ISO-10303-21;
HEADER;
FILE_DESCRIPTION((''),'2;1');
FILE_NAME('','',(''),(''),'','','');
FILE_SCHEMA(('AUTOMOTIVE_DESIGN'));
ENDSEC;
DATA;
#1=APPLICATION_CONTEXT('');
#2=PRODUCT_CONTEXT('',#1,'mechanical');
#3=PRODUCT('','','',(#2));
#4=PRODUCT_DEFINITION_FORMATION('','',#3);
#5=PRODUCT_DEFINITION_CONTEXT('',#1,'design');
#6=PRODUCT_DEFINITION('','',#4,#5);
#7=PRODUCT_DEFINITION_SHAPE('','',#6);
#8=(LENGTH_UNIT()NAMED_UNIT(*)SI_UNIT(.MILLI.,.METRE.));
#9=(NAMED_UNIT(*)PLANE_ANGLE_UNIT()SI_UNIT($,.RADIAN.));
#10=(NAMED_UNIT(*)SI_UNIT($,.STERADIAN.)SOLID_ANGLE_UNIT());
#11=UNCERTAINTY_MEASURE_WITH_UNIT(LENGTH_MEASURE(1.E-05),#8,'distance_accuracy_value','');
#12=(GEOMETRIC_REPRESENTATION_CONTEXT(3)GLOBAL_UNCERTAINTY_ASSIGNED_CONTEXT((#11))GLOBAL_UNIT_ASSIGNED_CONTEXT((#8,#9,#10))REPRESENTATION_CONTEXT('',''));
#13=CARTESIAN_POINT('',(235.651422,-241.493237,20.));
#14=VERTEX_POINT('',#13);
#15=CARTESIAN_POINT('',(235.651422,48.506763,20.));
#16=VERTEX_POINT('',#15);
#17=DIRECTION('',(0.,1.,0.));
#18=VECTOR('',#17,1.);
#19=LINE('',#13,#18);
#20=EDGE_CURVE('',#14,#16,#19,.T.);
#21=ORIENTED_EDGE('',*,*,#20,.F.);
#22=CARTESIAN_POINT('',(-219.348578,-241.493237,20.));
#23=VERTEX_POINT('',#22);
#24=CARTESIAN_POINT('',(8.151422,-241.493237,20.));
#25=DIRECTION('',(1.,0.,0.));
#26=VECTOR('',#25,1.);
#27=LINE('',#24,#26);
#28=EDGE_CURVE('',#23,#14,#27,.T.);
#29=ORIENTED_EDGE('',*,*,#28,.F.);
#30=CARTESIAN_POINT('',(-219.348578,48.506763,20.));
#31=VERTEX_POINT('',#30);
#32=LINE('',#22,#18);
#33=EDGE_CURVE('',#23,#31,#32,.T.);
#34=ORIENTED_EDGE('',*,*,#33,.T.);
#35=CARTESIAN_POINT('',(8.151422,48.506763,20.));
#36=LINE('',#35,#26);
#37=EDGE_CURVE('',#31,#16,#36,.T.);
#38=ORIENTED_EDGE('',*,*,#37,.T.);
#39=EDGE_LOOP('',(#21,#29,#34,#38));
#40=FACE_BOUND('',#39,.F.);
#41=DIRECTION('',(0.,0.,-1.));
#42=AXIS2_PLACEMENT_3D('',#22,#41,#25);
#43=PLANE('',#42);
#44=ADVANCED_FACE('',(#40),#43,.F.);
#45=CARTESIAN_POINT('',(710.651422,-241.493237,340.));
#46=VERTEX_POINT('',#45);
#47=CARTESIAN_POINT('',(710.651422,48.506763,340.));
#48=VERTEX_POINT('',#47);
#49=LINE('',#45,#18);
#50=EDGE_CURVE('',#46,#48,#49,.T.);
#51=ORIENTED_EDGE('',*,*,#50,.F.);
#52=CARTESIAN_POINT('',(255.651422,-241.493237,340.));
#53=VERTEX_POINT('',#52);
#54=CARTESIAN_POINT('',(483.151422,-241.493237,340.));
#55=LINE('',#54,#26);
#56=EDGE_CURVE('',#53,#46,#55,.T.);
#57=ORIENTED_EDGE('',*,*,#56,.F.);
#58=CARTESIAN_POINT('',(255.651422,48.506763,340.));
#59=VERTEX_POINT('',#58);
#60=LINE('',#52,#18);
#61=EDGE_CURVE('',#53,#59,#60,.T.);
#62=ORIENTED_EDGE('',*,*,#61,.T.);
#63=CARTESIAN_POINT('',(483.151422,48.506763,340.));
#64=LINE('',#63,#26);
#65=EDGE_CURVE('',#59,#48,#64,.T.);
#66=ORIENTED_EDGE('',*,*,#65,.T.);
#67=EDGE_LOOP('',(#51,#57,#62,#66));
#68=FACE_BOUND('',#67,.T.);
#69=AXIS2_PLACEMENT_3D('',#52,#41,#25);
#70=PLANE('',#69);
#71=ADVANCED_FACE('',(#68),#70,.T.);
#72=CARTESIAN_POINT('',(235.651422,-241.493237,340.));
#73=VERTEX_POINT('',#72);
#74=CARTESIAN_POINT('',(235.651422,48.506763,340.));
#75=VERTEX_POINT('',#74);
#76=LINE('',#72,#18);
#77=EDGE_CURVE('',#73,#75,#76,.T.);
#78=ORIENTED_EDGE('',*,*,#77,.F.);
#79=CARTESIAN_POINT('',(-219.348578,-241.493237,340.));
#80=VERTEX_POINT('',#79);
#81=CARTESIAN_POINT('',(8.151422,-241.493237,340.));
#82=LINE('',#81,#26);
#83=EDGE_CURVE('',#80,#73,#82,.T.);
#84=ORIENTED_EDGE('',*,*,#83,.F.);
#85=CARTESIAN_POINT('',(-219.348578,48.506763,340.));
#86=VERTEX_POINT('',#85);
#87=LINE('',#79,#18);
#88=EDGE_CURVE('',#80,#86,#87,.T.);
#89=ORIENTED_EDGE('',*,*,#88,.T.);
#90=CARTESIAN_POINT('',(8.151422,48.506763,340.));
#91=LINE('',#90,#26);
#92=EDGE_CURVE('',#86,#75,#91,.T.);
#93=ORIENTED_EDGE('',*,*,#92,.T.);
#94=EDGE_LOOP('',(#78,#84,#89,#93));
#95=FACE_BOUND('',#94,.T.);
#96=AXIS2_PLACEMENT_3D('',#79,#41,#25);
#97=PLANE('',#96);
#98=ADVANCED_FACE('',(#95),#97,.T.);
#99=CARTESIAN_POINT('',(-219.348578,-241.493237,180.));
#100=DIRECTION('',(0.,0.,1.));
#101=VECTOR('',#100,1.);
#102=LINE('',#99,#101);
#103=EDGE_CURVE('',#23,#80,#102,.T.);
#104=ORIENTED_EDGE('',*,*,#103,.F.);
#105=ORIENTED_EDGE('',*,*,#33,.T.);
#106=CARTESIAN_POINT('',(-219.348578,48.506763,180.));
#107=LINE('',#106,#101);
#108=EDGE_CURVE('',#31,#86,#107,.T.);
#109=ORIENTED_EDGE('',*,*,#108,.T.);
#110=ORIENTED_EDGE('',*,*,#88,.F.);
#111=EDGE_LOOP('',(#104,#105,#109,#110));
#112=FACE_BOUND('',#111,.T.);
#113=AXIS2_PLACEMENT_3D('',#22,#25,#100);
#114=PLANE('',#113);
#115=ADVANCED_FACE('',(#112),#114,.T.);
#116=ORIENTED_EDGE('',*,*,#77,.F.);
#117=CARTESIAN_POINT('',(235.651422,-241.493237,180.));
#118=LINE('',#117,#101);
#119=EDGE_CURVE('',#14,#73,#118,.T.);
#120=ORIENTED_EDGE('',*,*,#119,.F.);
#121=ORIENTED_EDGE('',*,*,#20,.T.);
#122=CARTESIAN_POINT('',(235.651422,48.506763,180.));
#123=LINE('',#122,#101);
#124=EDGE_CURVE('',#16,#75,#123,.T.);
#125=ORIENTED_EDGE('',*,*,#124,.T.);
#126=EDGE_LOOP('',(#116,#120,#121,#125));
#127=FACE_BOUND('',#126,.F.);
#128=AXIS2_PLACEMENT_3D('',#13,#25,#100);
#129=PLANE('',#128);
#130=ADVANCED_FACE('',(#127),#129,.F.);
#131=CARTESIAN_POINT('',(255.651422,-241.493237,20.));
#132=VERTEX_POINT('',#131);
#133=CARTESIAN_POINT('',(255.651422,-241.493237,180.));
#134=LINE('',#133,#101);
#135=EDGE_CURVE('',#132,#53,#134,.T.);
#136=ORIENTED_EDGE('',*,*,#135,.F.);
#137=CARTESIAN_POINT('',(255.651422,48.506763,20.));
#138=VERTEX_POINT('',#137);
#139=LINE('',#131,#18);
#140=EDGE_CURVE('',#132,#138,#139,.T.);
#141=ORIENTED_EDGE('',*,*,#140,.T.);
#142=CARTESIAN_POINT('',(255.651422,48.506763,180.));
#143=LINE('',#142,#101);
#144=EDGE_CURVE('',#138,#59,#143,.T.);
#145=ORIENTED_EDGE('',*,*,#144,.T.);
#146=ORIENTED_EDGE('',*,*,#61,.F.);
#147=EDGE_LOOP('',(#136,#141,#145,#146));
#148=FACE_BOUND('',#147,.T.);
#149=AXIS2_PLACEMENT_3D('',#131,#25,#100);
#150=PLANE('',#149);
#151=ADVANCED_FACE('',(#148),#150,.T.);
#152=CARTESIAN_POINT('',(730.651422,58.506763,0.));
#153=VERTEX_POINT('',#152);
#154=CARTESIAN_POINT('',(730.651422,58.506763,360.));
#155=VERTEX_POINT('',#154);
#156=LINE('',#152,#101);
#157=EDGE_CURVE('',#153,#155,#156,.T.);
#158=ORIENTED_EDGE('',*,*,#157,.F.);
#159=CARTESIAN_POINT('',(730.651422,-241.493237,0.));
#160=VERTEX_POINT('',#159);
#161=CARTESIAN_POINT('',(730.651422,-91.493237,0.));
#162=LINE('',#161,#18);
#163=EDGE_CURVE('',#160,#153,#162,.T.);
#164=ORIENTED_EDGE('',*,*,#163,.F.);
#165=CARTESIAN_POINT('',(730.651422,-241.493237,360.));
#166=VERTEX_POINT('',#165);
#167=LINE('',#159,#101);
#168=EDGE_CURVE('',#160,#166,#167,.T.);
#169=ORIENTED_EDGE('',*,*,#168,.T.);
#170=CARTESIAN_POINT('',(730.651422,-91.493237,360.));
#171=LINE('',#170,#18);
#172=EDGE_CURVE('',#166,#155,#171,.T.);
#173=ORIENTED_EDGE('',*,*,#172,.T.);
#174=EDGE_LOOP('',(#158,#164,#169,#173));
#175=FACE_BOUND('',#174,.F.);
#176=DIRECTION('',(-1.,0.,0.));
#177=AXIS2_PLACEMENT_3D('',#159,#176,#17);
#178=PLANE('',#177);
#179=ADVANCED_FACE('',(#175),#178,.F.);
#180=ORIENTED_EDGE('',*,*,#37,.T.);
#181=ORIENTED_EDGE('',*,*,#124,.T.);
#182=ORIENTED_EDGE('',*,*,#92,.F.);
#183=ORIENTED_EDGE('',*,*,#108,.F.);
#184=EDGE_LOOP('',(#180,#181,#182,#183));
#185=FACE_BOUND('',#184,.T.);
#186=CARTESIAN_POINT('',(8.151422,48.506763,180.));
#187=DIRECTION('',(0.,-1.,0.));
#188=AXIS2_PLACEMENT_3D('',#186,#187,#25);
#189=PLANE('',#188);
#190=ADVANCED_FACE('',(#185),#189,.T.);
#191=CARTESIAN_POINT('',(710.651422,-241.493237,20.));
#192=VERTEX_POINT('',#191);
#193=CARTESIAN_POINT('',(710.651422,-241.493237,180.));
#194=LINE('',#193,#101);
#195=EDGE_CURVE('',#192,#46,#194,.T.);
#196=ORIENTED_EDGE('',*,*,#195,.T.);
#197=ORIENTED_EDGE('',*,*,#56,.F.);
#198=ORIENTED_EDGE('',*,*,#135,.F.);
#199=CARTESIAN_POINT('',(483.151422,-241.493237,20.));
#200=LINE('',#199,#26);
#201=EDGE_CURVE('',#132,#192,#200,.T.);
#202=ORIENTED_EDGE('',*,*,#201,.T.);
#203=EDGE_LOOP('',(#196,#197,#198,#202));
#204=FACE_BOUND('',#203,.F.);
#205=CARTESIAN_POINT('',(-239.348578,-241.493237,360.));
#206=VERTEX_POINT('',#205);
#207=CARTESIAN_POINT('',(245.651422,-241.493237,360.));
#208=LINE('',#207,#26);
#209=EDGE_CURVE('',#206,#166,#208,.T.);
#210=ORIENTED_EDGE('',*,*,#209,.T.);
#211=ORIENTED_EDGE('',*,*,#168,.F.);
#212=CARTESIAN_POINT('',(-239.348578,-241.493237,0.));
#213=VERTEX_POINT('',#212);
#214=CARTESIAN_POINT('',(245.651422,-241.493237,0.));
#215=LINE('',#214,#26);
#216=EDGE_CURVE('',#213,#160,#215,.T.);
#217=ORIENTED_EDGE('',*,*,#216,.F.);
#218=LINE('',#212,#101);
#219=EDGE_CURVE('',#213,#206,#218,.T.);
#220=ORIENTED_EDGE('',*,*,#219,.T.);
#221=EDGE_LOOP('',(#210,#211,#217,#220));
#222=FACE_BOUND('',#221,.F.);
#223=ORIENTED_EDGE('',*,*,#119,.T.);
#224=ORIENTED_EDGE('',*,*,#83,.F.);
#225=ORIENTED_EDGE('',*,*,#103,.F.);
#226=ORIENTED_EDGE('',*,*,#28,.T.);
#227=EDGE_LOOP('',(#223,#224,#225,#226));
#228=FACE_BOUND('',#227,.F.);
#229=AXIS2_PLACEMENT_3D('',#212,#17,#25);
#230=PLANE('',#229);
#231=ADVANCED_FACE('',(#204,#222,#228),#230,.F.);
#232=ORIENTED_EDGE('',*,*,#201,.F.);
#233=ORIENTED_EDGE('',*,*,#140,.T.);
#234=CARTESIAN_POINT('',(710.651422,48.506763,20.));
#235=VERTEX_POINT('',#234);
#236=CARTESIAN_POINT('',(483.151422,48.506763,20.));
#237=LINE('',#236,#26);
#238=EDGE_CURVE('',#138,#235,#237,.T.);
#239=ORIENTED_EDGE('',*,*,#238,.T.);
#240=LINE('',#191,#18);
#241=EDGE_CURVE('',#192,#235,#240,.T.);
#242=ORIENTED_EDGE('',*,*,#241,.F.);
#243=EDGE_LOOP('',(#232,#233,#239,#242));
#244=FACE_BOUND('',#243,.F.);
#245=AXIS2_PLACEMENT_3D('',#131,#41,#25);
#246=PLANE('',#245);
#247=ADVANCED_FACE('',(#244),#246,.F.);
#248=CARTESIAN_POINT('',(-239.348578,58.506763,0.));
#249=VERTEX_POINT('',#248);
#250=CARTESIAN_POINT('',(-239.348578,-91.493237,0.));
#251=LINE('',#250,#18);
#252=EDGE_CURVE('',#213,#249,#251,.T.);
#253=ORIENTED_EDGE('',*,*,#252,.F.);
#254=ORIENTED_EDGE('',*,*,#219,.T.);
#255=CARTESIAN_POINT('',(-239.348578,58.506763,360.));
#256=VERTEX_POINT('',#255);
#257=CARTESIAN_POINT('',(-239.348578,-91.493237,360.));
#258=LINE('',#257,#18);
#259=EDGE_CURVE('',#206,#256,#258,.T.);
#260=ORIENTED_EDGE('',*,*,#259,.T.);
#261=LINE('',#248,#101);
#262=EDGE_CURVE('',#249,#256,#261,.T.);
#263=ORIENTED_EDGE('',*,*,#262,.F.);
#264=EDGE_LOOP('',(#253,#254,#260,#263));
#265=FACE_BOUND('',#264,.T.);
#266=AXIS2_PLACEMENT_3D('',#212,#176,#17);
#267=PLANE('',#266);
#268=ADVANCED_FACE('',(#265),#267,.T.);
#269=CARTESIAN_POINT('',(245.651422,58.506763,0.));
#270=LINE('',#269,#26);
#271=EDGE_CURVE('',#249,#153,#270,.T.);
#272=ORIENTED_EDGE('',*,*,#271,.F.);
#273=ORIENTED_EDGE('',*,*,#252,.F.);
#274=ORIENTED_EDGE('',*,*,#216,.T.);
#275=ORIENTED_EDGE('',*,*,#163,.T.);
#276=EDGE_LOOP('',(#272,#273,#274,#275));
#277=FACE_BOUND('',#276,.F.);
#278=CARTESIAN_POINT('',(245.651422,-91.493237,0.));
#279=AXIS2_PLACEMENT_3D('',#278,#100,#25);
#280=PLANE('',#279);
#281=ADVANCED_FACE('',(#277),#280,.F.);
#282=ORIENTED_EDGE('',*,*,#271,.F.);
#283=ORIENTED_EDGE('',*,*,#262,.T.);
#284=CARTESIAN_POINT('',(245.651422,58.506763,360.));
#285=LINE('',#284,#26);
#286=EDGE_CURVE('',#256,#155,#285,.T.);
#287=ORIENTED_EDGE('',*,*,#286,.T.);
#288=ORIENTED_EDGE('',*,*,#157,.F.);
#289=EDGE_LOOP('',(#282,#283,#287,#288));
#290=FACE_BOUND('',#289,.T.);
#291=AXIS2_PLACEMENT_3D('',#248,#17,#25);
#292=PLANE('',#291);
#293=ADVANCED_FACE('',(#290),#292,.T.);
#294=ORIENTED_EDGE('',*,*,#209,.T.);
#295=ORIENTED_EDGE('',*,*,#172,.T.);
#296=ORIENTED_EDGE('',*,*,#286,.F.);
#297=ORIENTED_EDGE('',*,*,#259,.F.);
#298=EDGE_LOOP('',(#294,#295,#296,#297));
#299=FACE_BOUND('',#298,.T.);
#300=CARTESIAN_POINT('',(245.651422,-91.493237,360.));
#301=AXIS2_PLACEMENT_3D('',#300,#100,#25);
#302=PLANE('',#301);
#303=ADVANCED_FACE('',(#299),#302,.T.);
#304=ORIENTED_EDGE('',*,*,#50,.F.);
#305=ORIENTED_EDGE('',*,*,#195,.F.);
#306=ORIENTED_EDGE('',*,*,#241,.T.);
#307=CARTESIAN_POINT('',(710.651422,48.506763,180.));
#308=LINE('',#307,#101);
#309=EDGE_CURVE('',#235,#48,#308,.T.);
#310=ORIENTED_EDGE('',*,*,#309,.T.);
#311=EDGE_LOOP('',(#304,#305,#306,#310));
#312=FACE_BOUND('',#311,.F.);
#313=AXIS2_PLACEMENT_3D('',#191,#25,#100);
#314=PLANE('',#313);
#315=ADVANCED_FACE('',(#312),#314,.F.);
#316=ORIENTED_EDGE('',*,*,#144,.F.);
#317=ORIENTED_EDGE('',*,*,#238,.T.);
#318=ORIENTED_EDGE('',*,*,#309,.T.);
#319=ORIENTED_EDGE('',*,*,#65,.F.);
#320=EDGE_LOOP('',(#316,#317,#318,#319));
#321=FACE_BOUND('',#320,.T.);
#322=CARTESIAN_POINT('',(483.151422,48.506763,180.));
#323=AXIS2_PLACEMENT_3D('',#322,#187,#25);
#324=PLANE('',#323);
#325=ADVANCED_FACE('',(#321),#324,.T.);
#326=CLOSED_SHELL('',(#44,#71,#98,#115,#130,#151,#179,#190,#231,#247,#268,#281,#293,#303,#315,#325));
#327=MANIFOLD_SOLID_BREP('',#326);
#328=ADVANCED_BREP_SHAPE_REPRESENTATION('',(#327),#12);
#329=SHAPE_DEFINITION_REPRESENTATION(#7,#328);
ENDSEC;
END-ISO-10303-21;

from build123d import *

# Parameters (mm, degrees)
F0_W     = 970
F0_H     = 300
F1_DEPTH = 360
F2_W     = 455
F2_H     = 320
F3_DEPTH = 290
F4_W     = 455
F4_H     = 320
F5_DEPTH = 290


with BuildPart() as f1:
    # F0 (on Top) → F1 (new body)
    with BuildSketch(Plane.XY):
        with Locations((245.651422, -91.493237)):
            Rectangle(F0_W, F0_H)
    extrude(amount=F1_DEPTH)

    # F2 (on face) → F3 (cut)
    with BuildSketch(Plane.XZ.offset(241.493237)):
        with Locations((8.151422, 180)):
            Rectangle(F2_W, F2_H)
    extrude(amount=-F3_DEPTH, mode=Mode.SUBTRACT)

    # F4 (on face) → F5 (cut)
    with BuildSketch(Plane.XZ.offset(241.493237)):
        with Locations((483.151422, 180)):
            Rectangle(F4_W, F4_H)
    extrude(amount=-F5_DEPTH, mode=Mode.SUBTRACT)


solid = f1.part
